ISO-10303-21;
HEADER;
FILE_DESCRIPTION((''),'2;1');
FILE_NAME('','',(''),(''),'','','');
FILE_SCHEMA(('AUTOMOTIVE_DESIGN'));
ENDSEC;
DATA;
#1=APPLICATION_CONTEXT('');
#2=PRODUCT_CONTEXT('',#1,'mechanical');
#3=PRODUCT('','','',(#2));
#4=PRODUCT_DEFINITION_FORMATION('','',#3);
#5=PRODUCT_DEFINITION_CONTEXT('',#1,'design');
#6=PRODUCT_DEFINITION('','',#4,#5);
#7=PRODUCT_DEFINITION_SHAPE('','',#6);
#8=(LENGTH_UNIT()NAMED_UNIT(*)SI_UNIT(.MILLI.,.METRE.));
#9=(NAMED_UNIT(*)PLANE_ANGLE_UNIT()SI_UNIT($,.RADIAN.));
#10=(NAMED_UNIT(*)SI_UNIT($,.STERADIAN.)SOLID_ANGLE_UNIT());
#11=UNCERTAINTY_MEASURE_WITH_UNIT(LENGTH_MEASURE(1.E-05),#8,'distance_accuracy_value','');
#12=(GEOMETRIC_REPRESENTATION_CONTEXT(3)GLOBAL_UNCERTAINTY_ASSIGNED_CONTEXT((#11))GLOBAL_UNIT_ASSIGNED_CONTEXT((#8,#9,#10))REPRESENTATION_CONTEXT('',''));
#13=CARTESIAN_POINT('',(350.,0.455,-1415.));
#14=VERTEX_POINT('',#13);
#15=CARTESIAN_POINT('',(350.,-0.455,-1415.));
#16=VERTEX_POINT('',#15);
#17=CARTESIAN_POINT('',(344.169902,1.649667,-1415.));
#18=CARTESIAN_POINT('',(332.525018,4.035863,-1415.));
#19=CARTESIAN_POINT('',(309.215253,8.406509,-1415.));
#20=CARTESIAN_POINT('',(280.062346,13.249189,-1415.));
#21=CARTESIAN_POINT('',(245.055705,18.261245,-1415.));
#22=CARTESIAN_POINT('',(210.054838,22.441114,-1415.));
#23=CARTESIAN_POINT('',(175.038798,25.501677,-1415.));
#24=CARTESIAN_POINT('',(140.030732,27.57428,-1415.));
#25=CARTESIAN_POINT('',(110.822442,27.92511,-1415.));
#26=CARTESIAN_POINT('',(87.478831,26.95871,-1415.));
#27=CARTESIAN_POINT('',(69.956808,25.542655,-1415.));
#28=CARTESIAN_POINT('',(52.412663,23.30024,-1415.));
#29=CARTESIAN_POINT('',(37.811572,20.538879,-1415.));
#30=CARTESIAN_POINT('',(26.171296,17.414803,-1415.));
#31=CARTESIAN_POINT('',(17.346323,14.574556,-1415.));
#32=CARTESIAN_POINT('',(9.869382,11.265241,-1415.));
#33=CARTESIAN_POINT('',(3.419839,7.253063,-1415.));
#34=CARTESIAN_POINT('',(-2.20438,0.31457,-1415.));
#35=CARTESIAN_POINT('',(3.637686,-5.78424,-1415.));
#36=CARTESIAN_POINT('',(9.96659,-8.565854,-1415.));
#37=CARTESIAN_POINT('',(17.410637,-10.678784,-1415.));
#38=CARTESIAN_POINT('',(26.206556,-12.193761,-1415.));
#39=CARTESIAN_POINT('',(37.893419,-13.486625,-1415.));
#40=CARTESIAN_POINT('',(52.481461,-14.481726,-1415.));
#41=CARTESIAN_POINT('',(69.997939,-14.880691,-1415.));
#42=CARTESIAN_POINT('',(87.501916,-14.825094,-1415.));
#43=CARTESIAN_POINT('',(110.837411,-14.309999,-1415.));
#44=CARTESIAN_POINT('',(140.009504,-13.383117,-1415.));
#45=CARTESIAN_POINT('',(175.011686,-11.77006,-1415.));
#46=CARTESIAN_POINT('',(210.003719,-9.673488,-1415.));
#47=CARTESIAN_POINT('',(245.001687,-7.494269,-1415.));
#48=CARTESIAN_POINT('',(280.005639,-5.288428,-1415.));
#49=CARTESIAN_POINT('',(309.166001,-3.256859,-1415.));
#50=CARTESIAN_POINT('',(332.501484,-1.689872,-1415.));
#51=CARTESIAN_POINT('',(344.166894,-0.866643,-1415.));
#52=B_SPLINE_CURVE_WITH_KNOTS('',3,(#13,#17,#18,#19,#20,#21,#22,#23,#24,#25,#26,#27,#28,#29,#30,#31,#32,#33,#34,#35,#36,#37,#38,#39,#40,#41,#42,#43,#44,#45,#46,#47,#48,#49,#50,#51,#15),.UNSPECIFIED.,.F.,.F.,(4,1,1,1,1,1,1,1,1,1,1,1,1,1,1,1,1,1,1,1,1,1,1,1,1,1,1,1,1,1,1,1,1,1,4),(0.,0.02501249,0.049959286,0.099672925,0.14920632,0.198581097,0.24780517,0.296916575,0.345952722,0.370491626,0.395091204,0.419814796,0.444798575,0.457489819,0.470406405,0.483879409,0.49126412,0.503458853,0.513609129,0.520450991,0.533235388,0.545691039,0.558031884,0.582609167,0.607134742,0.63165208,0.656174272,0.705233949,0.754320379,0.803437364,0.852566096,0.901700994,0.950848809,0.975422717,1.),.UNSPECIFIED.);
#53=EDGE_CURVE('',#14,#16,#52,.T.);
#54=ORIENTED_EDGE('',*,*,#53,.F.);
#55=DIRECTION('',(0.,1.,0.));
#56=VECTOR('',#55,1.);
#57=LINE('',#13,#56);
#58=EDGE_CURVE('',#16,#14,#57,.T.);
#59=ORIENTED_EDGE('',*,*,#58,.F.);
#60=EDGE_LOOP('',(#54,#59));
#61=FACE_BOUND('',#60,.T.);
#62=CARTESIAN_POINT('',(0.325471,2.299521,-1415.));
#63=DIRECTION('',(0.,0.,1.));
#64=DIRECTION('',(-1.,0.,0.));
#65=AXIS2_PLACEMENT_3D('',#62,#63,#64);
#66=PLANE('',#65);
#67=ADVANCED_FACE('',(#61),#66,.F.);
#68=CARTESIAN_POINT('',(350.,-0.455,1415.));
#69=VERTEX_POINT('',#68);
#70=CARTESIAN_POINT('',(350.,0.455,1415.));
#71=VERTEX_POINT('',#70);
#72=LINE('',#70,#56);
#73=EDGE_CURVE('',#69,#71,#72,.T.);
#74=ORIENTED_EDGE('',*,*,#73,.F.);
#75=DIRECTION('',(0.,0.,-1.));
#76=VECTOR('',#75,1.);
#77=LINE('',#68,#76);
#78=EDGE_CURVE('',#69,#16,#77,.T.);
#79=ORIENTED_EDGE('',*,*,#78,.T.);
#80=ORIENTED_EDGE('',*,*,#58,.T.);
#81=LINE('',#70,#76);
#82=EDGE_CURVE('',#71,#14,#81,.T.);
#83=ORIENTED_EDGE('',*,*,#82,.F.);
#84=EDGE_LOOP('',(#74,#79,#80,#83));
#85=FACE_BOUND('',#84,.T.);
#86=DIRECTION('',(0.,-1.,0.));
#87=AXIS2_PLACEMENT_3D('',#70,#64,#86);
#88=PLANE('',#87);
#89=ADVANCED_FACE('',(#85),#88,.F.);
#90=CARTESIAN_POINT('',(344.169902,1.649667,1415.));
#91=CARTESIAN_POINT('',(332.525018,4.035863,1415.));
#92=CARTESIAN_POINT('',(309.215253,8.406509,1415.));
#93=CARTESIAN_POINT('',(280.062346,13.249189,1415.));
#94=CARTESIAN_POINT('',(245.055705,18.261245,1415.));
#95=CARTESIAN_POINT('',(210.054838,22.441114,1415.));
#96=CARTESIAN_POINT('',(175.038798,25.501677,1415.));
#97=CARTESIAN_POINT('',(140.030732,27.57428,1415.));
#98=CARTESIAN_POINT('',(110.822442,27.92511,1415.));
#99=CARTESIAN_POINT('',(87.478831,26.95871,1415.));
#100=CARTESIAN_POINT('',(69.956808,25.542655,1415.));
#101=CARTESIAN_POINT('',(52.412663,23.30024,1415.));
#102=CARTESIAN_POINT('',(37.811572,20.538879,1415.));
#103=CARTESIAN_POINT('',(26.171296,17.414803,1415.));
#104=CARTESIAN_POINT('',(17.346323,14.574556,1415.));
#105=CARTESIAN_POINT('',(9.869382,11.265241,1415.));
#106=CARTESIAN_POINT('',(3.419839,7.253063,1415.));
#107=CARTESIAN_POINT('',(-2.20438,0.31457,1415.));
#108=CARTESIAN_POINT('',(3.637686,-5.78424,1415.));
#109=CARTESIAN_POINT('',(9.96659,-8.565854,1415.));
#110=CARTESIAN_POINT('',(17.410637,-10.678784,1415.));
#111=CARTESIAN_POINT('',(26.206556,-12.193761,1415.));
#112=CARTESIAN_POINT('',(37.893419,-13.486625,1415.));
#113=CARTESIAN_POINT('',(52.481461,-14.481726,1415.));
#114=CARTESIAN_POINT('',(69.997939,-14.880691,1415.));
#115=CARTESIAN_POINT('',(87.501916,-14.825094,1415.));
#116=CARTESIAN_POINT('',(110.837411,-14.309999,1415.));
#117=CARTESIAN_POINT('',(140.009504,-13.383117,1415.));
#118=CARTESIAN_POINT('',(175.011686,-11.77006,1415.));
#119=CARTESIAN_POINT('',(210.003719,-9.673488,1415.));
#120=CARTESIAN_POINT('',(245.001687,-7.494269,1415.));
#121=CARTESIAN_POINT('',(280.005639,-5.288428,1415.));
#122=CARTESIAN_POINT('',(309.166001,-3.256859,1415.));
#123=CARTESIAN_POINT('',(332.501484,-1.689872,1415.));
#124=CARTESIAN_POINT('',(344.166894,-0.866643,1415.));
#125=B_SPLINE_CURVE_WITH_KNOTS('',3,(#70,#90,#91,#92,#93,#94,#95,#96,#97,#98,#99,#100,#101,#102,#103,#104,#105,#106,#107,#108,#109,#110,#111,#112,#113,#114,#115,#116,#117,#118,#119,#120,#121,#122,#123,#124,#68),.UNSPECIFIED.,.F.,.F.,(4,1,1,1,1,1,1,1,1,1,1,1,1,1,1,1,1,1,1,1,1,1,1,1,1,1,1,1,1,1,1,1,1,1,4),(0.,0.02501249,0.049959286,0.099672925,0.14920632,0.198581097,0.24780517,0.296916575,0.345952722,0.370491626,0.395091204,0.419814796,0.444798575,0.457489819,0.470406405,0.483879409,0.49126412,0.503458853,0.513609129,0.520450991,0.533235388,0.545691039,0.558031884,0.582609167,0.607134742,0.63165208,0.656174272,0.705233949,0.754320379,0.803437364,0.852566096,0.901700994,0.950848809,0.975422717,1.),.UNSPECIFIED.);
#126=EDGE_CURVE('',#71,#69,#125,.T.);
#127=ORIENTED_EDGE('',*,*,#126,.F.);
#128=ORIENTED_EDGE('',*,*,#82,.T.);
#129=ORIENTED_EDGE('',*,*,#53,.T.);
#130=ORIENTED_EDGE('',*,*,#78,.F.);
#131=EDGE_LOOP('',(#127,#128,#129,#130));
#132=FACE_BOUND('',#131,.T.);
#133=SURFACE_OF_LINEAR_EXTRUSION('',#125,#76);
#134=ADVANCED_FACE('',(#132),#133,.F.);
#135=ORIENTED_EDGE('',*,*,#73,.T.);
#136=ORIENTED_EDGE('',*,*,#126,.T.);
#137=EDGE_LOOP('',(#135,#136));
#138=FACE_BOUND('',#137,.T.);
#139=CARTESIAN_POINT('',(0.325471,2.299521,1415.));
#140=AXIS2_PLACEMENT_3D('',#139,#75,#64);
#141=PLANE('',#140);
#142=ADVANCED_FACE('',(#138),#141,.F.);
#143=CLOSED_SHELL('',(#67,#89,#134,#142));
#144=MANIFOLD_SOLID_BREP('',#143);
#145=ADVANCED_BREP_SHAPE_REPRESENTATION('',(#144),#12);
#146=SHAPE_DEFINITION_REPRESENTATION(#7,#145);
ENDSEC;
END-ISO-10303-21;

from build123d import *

# Parameters (mm, degrees)
BOSS_EXTRUDE2_DEPTH = 1415


with BuildPart() as part:
    # Sketch3 → Boss-Extrude2 (new body)
    with BuildSketch(Plane.XY):
        with BuildLine():
            Line((350, 0.455), (350, -0.455))
            add(Edge.make_bspline(
                [(350, 0.455), (344.169902064, 1.649666762), (332.525018486, 4.035862589), (309.215253326, 8.406509223), (280.062345555, 13.249189299), (245.055704656, 18.261245075), (210.054838401, 22.44111439), (175.038797911, 25.501677266), (140.030731771, 27.574280077), (110.822441983, 27.925109808), (87.478831386, 26.958710008), (69.956807941, 25.542655037), (52.41266314, 23.300239865), (37.811572407, 20.538879037), (26.17129633, 17.414802949), (17.346323137, 14.574555653), (9.869381631, 11.265240958), (3.419839485, 7.253062959), (-2.204380137, 0.314569913), (3.637685542, -5.784240231), (9.966590405, -8.565853643), (17.410637287, -10.678784067), (26.206556219, -12.193760888), (37.893418962, -13.486624851), (52.481460922, -14.481725501), (69.997939225, -14.880690665), (87.501916013, -14.825093528), (110.837411434, -14.309999235), (140.009503708, -13.383116795), (175.011686204, -11.770060453), (210.00371914, -9.67348796), (245.001687049, -7.494268702), (280.005639007, -5.288428196), (309.166001398, -3.256858759), (332.501484146, -1.689872068), (344.166894349, -0.866642867), (350, -0.455)],
                knots=[0, 0, 0, 0, 0.02501249, 0.049959286, 0.099672925, 0.14920632, 0.198581097, 0.24780517, 0.296916575, 0.345952722, 0.370491626, 0.395091204, 0.419814796, 0.444798575, 0.457489819, 0.470406405, 0.483879409, 0.49126412, 0.503458853, 0.513609129, 0.520450991, 0.533235388, 0.545691039, 0.558031884, 0.582609167, 0.607134742, 0.63165208, 0.656174272, 0.705233949, 0.754320379, 0.803437364, 0.852566096, 0.901700994, 0.950848809, 0.975422717, 1, 1, 1, 1], degree=3))
        make_face()
    boss_extrude2 = extrude(amount=BOSS_EXTRUDE2_DEPTH)

    # Mirror1: Boss-Extrude2 across plane
    add(boss_extrude2.mirror(Plane(origin=(0.325471061, 2.299520855, 0), x_dir=(1, 0, 0), z_dir=(0, 0, -1))))


solid = part.part
